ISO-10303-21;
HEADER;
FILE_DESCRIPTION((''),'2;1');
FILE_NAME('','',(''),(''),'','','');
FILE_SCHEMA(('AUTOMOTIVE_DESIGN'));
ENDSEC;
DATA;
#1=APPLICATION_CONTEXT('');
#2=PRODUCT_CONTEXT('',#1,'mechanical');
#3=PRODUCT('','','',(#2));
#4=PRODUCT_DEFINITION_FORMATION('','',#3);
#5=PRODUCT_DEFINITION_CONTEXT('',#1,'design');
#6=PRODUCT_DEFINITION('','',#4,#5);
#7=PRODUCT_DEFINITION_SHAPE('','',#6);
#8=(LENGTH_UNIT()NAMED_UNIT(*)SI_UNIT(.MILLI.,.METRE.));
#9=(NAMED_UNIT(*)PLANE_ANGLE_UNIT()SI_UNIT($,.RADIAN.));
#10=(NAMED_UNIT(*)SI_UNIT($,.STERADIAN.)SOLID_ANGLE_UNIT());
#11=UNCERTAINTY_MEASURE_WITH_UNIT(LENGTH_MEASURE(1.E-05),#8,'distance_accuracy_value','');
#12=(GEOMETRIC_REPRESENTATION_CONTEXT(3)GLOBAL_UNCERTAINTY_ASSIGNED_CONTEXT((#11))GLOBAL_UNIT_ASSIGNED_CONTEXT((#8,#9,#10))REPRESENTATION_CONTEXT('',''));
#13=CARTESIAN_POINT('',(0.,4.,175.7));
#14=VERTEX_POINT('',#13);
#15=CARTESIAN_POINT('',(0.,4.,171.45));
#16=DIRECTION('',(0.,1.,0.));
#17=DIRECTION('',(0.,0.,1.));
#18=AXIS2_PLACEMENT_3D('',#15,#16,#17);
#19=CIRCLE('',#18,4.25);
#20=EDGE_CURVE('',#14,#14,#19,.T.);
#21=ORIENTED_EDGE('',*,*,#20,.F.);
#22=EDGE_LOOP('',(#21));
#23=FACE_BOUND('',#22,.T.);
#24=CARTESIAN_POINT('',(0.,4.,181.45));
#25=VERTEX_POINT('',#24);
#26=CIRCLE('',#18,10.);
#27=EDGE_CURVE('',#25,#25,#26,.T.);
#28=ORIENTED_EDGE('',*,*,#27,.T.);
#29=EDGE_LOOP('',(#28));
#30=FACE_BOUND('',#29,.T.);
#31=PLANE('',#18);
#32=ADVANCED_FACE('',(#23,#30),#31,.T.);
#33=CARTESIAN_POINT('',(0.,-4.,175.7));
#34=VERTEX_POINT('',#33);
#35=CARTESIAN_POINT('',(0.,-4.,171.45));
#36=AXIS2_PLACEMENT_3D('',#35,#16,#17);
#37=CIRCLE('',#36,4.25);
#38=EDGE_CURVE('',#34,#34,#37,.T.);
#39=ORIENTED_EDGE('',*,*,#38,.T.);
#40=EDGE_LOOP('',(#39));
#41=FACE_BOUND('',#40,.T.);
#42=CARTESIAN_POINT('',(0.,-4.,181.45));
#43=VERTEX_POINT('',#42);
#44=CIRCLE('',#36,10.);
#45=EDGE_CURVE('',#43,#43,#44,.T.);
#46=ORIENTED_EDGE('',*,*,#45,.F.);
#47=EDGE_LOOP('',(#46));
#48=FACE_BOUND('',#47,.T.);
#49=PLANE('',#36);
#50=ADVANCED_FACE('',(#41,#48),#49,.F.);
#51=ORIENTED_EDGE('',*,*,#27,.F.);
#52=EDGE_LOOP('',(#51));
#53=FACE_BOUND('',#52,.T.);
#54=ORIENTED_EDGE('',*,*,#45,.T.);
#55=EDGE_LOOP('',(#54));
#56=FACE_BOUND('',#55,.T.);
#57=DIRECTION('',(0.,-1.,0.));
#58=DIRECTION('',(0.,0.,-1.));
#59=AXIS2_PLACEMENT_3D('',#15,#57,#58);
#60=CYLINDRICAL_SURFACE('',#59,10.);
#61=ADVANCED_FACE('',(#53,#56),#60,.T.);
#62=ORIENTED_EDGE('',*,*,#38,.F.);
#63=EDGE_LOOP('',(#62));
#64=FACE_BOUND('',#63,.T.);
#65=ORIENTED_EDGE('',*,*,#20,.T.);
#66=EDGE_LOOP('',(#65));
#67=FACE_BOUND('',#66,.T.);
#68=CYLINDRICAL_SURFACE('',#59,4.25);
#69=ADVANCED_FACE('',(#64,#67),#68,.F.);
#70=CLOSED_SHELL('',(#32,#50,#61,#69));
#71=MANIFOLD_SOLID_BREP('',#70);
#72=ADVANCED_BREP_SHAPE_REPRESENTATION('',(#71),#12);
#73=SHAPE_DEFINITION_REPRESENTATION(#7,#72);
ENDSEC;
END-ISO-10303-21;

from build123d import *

# Parameters (mm, degrees)
BUJE_D20_START  = -4
CROQUIS1_R      = 10
BUJE_D20_DEPTH  = 8
ROSCA_M10_START = -4
CROQUIS2_R      = 4.25
ROSCA_M10_DEPTH = 8


with BuildPart() as part:
    # Croquis1 → Buje_D20 (new body)
    with BuildSketch(Plane(origin=(0, 0, 0), x_dir=(1, 0, 0), z_dir=(0, 1, 0)).offset(BUJE_D20_START)):
        with Locations(Location((0, -171.45, 0), (0, 0, 270))):
            Circle(CROQUIS1_R)
    extrude(amount=BUJE_D20_DEPTH)

    # Croquis2 → Rosca_M10 (cut)
    with BuildSketch(Plane(origin=(0, 0, 0), x_dir=(1, 0, 0), z_dir=(0, 1, 0)).offset(ROSCA_M10_START)):
        with Locations(Location((0, -171.45, 0), (0, 0, 270))):
            Circle(CROQUIS2_R)
    extrude(amount=ROSCA_M10_DEPTH, mode=Mode.SUBTRACT)


solid = part.part
